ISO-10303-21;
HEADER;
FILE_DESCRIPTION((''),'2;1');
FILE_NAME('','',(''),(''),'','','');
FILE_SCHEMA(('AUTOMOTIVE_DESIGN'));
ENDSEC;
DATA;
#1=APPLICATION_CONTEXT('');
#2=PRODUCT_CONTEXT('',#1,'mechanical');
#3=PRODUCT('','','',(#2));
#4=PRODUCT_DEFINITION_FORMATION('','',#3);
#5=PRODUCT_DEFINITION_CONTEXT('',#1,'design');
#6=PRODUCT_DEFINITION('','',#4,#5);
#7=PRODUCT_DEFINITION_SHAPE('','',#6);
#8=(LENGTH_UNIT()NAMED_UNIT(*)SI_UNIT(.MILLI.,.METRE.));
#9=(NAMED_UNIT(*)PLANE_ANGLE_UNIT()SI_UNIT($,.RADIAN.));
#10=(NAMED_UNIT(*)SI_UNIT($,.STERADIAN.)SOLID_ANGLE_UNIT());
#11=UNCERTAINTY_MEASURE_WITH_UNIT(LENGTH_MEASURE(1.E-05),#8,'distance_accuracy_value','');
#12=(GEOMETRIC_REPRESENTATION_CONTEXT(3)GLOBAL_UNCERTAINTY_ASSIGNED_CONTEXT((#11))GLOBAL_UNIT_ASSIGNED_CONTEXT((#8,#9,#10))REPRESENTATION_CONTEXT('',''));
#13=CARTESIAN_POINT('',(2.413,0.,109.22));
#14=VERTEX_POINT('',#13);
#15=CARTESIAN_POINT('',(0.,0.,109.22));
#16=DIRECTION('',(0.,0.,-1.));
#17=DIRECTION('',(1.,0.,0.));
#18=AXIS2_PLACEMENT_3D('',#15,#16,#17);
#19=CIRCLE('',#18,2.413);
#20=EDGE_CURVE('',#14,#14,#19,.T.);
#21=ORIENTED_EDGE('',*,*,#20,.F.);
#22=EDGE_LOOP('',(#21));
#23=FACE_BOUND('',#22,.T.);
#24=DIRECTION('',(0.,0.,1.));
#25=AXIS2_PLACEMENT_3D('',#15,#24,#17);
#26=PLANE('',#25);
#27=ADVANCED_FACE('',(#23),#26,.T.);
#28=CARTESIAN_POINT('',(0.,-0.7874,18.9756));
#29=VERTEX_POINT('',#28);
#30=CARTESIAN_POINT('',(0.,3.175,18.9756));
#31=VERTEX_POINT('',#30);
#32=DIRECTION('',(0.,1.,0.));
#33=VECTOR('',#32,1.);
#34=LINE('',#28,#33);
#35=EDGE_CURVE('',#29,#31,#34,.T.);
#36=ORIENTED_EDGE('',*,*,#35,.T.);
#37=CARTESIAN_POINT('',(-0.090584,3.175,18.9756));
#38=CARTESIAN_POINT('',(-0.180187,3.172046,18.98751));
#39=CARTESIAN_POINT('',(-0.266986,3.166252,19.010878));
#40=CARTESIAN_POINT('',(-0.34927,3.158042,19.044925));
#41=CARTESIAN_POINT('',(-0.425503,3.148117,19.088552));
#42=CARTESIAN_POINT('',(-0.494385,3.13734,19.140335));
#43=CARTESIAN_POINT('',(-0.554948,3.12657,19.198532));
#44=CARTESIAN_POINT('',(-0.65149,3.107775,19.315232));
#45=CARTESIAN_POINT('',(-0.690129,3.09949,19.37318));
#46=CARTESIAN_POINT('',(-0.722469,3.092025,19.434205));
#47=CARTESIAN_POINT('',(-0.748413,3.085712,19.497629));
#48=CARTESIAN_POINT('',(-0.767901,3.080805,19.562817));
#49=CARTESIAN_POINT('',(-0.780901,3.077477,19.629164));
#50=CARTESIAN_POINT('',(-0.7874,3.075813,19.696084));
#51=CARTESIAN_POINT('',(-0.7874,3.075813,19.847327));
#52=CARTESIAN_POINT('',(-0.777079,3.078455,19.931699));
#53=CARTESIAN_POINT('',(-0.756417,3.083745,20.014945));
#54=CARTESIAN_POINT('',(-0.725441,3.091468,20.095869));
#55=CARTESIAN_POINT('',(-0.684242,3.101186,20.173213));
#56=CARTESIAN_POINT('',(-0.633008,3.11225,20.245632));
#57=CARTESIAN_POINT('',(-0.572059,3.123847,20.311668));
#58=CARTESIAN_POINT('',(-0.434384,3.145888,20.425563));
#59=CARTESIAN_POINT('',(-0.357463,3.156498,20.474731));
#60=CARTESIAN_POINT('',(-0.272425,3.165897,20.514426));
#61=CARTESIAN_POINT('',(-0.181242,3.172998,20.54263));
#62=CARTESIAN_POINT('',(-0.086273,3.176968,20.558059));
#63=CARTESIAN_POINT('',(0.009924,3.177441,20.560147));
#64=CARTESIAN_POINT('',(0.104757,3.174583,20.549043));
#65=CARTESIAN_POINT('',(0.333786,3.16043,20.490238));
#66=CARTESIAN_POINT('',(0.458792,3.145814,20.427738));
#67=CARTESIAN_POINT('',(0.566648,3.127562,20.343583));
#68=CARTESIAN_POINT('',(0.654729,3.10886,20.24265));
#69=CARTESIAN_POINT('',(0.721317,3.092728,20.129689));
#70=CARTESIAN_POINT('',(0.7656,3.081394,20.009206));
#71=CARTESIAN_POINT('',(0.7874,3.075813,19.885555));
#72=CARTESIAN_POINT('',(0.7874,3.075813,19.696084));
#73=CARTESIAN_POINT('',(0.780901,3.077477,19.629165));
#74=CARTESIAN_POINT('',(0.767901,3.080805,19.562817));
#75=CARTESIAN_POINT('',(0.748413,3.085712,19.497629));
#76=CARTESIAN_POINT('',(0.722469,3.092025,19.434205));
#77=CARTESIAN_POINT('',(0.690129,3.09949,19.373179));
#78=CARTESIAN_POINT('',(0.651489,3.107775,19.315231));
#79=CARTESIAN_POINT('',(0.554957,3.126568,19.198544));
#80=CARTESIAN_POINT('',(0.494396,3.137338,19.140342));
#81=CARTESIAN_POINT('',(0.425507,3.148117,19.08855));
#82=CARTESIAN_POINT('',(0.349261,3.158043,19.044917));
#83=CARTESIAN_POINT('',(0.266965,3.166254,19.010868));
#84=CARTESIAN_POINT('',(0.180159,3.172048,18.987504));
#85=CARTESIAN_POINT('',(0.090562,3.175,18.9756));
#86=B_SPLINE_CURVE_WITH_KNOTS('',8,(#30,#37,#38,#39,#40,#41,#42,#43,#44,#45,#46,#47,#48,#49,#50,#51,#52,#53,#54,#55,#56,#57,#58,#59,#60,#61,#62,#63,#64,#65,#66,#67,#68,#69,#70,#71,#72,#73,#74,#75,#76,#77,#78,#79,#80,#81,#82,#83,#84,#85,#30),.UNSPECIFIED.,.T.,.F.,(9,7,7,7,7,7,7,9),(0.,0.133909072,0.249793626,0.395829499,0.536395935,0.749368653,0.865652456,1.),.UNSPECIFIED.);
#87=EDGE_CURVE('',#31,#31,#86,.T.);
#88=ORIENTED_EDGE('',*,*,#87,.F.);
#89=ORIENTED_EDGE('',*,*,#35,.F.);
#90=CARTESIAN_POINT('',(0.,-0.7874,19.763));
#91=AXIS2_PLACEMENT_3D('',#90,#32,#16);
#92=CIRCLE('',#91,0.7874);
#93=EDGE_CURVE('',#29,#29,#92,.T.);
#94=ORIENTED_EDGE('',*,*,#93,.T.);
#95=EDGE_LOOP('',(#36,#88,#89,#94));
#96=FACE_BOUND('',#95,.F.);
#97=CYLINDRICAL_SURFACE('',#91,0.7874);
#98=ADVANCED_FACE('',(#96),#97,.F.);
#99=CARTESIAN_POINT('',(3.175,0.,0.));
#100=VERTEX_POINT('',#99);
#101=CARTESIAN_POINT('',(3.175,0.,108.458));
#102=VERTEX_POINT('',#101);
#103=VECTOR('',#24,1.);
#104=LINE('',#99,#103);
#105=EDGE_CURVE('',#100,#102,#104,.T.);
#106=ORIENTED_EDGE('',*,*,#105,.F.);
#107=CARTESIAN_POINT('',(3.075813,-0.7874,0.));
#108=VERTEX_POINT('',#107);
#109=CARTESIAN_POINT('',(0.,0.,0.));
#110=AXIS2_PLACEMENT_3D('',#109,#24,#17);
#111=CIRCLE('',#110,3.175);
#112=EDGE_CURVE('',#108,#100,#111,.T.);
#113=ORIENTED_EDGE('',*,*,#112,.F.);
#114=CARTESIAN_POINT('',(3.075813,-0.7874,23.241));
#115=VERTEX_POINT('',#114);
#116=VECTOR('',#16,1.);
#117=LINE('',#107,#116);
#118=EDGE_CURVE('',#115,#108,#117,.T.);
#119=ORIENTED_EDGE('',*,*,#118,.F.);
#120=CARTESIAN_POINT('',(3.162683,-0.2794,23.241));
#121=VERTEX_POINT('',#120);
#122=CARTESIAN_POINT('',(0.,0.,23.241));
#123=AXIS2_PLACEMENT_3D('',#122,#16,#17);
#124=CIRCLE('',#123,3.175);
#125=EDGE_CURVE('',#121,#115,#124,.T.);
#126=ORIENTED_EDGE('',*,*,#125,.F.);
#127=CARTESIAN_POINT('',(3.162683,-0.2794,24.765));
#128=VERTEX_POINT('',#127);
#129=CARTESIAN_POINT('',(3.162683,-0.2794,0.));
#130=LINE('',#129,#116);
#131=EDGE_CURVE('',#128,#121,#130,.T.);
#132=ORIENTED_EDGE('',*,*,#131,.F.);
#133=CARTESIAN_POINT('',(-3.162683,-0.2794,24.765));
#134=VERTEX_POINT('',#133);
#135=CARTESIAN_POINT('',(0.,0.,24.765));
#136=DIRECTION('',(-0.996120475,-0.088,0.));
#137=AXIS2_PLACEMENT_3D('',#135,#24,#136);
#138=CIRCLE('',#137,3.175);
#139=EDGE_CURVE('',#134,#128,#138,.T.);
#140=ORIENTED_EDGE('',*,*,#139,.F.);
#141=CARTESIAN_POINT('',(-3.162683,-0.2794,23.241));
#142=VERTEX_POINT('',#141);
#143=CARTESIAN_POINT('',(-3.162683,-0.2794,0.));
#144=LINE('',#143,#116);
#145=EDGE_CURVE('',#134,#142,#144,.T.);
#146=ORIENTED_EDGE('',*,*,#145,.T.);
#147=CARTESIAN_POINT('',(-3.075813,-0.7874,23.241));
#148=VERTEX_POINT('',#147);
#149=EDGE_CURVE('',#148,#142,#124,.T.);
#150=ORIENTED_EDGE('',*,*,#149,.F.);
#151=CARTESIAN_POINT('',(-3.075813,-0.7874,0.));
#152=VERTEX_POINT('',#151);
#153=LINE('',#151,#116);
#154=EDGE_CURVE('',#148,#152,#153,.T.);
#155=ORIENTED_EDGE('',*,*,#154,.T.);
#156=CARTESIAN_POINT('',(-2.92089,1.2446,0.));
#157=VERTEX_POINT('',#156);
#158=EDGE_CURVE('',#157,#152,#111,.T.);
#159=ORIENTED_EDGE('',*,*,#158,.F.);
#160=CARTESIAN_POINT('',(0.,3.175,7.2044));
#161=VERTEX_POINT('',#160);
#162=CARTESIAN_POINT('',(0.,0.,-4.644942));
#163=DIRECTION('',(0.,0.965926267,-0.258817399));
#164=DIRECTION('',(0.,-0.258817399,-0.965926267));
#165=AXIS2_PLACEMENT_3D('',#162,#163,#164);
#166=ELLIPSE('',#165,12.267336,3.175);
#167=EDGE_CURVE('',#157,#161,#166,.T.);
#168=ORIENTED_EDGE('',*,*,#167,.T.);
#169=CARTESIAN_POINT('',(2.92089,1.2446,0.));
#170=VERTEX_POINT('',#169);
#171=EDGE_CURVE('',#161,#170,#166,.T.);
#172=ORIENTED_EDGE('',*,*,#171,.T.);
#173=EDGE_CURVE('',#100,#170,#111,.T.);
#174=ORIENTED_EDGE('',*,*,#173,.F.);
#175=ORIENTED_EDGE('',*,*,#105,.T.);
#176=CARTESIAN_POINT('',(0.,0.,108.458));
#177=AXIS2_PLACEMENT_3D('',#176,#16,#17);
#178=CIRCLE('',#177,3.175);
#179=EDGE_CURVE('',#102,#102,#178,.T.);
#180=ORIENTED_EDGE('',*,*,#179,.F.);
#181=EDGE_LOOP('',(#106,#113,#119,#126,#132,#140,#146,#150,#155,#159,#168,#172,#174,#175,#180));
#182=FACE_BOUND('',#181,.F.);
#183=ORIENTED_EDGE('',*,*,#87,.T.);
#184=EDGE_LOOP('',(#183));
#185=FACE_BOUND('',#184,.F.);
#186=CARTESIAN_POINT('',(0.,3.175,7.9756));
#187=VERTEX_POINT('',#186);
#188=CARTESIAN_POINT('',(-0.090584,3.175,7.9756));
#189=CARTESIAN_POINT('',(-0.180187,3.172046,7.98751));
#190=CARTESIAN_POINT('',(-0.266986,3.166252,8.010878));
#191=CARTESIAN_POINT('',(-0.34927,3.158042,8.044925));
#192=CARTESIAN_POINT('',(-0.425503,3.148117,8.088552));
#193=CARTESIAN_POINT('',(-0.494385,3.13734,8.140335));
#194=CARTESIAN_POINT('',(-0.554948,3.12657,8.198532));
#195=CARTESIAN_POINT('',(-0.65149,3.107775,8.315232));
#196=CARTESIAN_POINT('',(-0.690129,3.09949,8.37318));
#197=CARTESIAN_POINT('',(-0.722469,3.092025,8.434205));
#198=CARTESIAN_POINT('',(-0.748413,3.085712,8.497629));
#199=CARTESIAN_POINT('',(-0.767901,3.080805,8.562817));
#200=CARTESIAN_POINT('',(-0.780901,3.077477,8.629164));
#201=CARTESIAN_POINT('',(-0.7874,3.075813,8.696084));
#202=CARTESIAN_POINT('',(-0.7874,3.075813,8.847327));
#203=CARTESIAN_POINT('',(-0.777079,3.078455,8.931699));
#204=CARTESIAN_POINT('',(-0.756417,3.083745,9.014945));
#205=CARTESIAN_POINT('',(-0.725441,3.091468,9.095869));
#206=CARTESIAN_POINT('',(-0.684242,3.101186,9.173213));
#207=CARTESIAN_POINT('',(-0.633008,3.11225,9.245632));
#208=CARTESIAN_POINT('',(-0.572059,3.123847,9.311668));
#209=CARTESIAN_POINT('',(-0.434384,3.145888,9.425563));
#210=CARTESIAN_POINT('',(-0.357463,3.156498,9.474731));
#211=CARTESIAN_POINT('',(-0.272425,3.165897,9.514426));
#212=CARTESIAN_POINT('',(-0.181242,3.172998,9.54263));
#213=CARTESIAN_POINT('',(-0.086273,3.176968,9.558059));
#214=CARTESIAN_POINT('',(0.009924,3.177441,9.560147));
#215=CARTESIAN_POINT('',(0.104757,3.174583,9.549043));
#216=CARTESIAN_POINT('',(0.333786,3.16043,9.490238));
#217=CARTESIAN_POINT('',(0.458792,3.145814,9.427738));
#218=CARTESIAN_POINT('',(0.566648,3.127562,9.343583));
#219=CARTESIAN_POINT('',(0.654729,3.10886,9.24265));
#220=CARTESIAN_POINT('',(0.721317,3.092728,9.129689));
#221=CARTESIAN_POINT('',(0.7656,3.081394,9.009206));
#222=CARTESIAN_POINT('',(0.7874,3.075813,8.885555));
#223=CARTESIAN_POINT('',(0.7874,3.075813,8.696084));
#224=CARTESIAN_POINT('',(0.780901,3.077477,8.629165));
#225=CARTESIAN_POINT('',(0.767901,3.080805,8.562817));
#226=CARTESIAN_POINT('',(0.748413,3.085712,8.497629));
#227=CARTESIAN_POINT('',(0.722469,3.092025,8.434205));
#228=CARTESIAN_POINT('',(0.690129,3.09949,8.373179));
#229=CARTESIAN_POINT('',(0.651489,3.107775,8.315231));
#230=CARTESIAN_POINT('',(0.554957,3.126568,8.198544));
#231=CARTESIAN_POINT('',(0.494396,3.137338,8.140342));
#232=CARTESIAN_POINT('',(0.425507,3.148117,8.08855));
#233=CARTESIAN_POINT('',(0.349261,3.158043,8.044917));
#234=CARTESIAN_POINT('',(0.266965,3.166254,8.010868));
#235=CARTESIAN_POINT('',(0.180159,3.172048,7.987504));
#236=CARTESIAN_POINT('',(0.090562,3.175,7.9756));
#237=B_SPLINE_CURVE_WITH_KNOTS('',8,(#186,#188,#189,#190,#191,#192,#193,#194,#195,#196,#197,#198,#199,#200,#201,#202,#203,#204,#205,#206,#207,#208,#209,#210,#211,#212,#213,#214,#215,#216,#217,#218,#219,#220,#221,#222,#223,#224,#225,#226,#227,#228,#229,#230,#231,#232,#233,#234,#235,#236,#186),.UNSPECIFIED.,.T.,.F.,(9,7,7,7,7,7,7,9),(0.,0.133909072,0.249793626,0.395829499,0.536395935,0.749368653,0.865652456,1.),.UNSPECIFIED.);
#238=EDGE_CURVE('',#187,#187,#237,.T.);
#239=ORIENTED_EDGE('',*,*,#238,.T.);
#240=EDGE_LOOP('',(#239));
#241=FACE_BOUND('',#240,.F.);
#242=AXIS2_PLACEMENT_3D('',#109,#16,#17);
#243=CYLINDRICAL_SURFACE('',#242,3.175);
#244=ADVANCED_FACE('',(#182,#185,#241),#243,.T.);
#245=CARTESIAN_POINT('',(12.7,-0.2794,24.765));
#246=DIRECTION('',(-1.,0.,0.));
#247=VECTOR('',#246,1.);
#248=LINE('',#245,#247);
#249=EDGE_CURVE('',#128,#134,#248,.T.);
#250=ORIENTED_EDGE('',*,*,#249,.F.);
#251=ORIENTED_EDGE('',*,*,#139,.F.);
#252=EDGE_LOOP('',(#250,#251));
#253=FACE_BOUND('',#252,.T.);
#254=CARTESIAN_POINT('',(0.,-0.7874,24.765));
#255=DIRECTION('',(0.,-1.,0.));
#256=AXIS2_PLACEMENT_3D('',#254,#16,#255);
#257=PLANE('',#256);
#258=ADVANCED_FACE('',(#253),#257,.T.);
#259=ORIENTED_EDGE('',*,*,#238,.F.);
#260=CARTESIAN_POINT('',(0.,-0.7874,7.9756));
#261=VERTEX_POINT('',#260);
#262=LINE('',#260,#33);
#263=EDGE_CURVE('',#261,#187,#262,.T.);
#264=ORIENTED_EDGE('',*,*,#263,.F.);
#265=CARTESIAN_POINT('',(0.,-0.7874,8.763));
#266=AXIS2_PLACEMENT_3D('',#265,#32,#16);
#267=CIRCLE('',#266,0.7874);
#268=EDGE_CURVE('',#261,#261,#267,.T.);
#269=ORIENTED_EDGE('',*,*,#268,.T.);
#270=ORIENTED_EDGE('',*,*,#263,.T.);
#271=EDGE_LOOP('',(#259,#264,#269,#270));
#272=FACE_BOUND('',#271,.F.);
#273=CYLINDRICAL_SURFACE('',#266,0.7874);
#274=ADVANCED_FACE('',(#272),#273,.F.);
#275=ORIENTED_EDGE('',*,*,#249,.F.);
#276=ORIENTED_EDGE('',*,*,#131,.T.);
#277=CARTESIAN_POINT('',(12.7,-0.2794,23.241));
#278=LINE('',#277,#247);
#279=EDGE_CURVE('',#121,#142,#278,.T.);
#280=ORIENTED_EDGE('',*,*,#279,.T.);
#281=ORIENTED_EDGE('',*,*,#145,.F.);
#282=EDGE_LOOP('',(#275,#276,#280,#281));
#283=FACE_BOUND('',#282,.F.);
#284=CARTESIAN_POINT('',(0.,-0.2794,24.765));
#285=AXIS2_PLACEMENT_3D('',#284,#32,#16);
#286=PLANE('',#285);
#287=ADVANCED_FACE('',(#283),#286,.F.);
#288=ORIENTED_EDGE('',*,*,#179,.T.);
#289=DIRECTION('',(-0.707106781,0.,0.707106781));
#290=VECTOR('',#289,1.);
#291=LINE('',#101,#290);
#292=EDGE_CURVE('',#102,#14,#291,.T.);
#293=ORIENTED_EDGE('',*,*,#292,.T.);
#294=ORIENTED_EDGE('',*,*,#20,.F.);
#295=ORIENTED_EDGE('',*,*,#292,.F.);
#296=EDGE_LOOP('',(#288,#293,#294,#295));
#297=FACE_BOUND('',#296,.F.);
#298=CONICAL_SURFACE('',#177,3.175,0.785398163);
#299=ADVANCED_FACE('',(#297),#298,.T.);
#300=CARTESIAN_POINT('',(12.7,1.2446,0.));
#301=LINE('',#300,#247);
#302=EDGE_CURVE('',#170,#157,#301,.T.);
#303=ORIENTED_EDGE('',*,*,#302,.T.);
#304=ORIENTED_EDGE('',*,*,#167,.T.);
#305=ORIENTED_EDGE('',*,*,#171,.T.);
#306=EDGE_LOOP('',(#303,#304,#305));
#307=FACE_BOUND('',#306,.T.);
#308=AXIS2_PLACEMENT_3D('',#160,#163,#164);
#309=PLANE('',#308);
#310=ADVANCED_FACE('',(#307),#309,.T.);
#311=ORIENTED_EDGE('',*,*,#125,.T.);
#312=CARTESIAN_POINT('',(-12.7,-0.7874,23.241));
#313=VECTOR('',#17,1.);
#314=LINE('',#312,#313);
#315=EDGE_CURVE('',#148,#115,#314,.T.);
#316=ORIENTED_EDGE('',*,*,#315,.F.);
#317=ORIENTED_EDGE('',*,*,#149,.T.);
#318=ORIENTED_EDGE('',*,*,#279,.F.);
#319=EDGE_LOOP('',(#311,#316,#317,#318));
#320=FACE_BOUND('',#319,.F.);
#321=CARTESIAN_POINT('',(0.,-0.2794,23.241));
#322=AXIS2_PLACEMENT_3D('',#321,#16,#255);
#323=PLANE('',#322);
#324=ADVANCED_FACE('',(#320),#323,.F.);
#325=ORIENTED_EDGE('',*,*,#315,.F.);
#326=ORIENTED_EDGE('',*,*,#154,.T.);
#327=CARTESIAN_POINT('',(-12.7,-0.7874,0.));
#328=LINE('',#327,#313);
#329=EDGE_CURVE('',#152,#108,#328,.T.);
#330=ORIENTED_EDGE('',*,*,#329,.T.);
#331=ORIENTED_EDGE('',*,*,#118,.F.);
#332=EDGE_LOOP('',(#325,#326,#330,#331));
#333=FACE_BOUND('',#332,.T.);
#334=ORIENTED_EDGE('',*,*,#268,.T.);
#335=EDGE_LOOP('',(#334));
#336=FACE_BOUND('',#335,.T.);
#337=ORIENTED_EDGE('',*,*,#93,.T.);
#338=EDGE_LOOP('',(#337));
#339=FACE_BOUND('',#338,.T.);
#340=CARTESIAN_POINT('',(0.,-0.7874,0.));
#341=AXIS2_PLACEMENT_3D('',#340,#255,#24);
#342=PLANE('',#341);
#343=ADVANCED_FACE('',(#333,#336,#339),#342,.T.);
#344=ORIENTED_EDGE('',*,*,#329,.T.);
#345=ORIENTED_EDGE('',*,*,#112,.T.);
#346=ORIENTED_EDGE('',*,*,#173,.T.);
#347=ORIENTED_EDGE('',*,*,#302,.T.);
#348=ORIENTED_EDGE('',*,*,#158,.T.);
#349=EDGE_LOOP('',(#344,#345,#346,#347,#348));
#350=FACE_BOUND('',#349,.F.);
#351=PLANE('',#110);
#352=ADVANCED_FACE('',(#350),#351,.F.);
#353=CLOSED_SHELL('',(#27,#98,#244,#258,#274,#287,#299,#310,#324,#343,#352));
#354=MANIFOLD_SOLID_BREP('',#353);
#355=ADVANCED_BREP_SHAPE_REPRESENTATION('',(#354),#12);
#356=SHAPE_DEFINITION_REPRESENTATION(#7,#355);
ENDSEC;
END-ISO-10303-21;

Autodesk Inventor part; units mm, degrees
ref_plane "YZ Plane" through (0, 0, 0) normal (1, 0, 0) x (0, 1, 0)
ref_plane "XZ Plane" through (0, 0, 0) normal (0, 1, 0) x (-1, 0, 0)
ref_plane "XY Plane" through (0, 0, 0) normal (0, 0, 1) x (1, 0, 0)
sketch "Sketch1" plane through (0, 0, 0) normal (0, 0, 1) x (1, 0, 0)
  point P0 (0, 0)
sketch "Sketch2" plane through (0, 0, 0) normal (0, 0, 1) x (1, 0, 0)
  line L0 (0, 4.445) -> (0, -4.445) projected
  line L1 (-4.445, 0) -> (4.445, 0) projected
  circle A0 centre (0, 0) radius 3.175
  dimension "d0" = 6.35
extrude "Extrusion1" add sketch "Sketch2" along normal blind 109.22
sketch "Sketch3" plane through (0, 0, 0) normal (1, 0, 0) x (0, 1, 0)
  line L0 (0, 29.718) -> (0, -4.953) projected
  line L1 (-4.445, 0) -> (4.445, 0) projected
  line L2 (-3.175, 0) -> (3.175, 0) projected
  line L3 (-3.175, 0) -> (-0.7874, 0)
  line L4 (-0.7874, 0) -> (-0.7874, 24.765)
  line L5 (-0.7874, 24.765) -> (-3.175, 24.765)
  line L6 (-3.175, 24.765) -> (-3.175, 0)
  line L7 (-0.7874, 24.765) -> (-0.2794, 24.765)
  line L8 (-0.2794, 24.765) -> (-0.2794, 23.241)
  line L9 (-0.2794, 23.241) -> (-0.7874, 23.241)
  line L10 (-0.7874, 23.241) -> (-0.7874, 24.765)
  point P0 (0, 0)
  dimension "d3" = 24.765
  dimension "d4" = 0.508
  dimension "d5" = 1.524
  dimension "d6" = 3.9624
extrude "Extrusion2" cut sketch "Sketch3" along normal mid plane 25.4
sketch "Sketch4" plane through (0, -0.7874, -0.635) normal (0, 1, 0) x (-1, 0, 0)
  line L0 (-3.0758, 0.635) -> (3.0758, 0.635) projected
  line L1 (0, -21.209) -> (0, 131.699) projected
  line L2 (3.1627, 25.4) -> (-3.1627, 25.4) projected
  point P0 (0, 0.635)
  point P1 (0, 9.398)
  point P2 (3.1627, 25.4)
  point P3 (-3.1627, 25.4)
  point P4 (0, 20.398)
  dimension "d13" = 16.002
  dimension "d14" = 11
hole "Hole1" at (0, -0.7874, 8.763) at (0, -0.7874, 19.763) direction (0, 1, 0) diameter 1.5748 end through all
chamfer "Chamfer1" distance 0.762 angle 45 1 edges at (-3.175, 0, 109.22)
sketch "Sketch5" plane through (0, 0, 0) normal (1, 0, 0) x (0, 1, 0)
  line L0 (3.175, 0) -> (3.175, 108.458) projected
  line L1 (-1.5799, 0) -> (3.9675, 0) projected
  line L2 (3.175, 0) -> (3.175, 7.2044)
  line L3 (3.175, 7.2044) -> (1.2446, 0)
  line L4 (-0.7874, 0) -> (3.175, 0) projected
  line L5 (1.2446, 0) -> (3.175, 0)
  line L6 (-0.7874, 0) -> (-0.7874, 23.241) projected
  point P0 (0, 0)
  dimension "d22" = 1.9304
  dimension "d26" = 2.032
  dimension "d27" = 15
extrude "Extrusion3" cut sketch "Sketch5" along normal mid plane 25.4
properties part number "J007626" material "ALUMINUM, 6061-T651"
